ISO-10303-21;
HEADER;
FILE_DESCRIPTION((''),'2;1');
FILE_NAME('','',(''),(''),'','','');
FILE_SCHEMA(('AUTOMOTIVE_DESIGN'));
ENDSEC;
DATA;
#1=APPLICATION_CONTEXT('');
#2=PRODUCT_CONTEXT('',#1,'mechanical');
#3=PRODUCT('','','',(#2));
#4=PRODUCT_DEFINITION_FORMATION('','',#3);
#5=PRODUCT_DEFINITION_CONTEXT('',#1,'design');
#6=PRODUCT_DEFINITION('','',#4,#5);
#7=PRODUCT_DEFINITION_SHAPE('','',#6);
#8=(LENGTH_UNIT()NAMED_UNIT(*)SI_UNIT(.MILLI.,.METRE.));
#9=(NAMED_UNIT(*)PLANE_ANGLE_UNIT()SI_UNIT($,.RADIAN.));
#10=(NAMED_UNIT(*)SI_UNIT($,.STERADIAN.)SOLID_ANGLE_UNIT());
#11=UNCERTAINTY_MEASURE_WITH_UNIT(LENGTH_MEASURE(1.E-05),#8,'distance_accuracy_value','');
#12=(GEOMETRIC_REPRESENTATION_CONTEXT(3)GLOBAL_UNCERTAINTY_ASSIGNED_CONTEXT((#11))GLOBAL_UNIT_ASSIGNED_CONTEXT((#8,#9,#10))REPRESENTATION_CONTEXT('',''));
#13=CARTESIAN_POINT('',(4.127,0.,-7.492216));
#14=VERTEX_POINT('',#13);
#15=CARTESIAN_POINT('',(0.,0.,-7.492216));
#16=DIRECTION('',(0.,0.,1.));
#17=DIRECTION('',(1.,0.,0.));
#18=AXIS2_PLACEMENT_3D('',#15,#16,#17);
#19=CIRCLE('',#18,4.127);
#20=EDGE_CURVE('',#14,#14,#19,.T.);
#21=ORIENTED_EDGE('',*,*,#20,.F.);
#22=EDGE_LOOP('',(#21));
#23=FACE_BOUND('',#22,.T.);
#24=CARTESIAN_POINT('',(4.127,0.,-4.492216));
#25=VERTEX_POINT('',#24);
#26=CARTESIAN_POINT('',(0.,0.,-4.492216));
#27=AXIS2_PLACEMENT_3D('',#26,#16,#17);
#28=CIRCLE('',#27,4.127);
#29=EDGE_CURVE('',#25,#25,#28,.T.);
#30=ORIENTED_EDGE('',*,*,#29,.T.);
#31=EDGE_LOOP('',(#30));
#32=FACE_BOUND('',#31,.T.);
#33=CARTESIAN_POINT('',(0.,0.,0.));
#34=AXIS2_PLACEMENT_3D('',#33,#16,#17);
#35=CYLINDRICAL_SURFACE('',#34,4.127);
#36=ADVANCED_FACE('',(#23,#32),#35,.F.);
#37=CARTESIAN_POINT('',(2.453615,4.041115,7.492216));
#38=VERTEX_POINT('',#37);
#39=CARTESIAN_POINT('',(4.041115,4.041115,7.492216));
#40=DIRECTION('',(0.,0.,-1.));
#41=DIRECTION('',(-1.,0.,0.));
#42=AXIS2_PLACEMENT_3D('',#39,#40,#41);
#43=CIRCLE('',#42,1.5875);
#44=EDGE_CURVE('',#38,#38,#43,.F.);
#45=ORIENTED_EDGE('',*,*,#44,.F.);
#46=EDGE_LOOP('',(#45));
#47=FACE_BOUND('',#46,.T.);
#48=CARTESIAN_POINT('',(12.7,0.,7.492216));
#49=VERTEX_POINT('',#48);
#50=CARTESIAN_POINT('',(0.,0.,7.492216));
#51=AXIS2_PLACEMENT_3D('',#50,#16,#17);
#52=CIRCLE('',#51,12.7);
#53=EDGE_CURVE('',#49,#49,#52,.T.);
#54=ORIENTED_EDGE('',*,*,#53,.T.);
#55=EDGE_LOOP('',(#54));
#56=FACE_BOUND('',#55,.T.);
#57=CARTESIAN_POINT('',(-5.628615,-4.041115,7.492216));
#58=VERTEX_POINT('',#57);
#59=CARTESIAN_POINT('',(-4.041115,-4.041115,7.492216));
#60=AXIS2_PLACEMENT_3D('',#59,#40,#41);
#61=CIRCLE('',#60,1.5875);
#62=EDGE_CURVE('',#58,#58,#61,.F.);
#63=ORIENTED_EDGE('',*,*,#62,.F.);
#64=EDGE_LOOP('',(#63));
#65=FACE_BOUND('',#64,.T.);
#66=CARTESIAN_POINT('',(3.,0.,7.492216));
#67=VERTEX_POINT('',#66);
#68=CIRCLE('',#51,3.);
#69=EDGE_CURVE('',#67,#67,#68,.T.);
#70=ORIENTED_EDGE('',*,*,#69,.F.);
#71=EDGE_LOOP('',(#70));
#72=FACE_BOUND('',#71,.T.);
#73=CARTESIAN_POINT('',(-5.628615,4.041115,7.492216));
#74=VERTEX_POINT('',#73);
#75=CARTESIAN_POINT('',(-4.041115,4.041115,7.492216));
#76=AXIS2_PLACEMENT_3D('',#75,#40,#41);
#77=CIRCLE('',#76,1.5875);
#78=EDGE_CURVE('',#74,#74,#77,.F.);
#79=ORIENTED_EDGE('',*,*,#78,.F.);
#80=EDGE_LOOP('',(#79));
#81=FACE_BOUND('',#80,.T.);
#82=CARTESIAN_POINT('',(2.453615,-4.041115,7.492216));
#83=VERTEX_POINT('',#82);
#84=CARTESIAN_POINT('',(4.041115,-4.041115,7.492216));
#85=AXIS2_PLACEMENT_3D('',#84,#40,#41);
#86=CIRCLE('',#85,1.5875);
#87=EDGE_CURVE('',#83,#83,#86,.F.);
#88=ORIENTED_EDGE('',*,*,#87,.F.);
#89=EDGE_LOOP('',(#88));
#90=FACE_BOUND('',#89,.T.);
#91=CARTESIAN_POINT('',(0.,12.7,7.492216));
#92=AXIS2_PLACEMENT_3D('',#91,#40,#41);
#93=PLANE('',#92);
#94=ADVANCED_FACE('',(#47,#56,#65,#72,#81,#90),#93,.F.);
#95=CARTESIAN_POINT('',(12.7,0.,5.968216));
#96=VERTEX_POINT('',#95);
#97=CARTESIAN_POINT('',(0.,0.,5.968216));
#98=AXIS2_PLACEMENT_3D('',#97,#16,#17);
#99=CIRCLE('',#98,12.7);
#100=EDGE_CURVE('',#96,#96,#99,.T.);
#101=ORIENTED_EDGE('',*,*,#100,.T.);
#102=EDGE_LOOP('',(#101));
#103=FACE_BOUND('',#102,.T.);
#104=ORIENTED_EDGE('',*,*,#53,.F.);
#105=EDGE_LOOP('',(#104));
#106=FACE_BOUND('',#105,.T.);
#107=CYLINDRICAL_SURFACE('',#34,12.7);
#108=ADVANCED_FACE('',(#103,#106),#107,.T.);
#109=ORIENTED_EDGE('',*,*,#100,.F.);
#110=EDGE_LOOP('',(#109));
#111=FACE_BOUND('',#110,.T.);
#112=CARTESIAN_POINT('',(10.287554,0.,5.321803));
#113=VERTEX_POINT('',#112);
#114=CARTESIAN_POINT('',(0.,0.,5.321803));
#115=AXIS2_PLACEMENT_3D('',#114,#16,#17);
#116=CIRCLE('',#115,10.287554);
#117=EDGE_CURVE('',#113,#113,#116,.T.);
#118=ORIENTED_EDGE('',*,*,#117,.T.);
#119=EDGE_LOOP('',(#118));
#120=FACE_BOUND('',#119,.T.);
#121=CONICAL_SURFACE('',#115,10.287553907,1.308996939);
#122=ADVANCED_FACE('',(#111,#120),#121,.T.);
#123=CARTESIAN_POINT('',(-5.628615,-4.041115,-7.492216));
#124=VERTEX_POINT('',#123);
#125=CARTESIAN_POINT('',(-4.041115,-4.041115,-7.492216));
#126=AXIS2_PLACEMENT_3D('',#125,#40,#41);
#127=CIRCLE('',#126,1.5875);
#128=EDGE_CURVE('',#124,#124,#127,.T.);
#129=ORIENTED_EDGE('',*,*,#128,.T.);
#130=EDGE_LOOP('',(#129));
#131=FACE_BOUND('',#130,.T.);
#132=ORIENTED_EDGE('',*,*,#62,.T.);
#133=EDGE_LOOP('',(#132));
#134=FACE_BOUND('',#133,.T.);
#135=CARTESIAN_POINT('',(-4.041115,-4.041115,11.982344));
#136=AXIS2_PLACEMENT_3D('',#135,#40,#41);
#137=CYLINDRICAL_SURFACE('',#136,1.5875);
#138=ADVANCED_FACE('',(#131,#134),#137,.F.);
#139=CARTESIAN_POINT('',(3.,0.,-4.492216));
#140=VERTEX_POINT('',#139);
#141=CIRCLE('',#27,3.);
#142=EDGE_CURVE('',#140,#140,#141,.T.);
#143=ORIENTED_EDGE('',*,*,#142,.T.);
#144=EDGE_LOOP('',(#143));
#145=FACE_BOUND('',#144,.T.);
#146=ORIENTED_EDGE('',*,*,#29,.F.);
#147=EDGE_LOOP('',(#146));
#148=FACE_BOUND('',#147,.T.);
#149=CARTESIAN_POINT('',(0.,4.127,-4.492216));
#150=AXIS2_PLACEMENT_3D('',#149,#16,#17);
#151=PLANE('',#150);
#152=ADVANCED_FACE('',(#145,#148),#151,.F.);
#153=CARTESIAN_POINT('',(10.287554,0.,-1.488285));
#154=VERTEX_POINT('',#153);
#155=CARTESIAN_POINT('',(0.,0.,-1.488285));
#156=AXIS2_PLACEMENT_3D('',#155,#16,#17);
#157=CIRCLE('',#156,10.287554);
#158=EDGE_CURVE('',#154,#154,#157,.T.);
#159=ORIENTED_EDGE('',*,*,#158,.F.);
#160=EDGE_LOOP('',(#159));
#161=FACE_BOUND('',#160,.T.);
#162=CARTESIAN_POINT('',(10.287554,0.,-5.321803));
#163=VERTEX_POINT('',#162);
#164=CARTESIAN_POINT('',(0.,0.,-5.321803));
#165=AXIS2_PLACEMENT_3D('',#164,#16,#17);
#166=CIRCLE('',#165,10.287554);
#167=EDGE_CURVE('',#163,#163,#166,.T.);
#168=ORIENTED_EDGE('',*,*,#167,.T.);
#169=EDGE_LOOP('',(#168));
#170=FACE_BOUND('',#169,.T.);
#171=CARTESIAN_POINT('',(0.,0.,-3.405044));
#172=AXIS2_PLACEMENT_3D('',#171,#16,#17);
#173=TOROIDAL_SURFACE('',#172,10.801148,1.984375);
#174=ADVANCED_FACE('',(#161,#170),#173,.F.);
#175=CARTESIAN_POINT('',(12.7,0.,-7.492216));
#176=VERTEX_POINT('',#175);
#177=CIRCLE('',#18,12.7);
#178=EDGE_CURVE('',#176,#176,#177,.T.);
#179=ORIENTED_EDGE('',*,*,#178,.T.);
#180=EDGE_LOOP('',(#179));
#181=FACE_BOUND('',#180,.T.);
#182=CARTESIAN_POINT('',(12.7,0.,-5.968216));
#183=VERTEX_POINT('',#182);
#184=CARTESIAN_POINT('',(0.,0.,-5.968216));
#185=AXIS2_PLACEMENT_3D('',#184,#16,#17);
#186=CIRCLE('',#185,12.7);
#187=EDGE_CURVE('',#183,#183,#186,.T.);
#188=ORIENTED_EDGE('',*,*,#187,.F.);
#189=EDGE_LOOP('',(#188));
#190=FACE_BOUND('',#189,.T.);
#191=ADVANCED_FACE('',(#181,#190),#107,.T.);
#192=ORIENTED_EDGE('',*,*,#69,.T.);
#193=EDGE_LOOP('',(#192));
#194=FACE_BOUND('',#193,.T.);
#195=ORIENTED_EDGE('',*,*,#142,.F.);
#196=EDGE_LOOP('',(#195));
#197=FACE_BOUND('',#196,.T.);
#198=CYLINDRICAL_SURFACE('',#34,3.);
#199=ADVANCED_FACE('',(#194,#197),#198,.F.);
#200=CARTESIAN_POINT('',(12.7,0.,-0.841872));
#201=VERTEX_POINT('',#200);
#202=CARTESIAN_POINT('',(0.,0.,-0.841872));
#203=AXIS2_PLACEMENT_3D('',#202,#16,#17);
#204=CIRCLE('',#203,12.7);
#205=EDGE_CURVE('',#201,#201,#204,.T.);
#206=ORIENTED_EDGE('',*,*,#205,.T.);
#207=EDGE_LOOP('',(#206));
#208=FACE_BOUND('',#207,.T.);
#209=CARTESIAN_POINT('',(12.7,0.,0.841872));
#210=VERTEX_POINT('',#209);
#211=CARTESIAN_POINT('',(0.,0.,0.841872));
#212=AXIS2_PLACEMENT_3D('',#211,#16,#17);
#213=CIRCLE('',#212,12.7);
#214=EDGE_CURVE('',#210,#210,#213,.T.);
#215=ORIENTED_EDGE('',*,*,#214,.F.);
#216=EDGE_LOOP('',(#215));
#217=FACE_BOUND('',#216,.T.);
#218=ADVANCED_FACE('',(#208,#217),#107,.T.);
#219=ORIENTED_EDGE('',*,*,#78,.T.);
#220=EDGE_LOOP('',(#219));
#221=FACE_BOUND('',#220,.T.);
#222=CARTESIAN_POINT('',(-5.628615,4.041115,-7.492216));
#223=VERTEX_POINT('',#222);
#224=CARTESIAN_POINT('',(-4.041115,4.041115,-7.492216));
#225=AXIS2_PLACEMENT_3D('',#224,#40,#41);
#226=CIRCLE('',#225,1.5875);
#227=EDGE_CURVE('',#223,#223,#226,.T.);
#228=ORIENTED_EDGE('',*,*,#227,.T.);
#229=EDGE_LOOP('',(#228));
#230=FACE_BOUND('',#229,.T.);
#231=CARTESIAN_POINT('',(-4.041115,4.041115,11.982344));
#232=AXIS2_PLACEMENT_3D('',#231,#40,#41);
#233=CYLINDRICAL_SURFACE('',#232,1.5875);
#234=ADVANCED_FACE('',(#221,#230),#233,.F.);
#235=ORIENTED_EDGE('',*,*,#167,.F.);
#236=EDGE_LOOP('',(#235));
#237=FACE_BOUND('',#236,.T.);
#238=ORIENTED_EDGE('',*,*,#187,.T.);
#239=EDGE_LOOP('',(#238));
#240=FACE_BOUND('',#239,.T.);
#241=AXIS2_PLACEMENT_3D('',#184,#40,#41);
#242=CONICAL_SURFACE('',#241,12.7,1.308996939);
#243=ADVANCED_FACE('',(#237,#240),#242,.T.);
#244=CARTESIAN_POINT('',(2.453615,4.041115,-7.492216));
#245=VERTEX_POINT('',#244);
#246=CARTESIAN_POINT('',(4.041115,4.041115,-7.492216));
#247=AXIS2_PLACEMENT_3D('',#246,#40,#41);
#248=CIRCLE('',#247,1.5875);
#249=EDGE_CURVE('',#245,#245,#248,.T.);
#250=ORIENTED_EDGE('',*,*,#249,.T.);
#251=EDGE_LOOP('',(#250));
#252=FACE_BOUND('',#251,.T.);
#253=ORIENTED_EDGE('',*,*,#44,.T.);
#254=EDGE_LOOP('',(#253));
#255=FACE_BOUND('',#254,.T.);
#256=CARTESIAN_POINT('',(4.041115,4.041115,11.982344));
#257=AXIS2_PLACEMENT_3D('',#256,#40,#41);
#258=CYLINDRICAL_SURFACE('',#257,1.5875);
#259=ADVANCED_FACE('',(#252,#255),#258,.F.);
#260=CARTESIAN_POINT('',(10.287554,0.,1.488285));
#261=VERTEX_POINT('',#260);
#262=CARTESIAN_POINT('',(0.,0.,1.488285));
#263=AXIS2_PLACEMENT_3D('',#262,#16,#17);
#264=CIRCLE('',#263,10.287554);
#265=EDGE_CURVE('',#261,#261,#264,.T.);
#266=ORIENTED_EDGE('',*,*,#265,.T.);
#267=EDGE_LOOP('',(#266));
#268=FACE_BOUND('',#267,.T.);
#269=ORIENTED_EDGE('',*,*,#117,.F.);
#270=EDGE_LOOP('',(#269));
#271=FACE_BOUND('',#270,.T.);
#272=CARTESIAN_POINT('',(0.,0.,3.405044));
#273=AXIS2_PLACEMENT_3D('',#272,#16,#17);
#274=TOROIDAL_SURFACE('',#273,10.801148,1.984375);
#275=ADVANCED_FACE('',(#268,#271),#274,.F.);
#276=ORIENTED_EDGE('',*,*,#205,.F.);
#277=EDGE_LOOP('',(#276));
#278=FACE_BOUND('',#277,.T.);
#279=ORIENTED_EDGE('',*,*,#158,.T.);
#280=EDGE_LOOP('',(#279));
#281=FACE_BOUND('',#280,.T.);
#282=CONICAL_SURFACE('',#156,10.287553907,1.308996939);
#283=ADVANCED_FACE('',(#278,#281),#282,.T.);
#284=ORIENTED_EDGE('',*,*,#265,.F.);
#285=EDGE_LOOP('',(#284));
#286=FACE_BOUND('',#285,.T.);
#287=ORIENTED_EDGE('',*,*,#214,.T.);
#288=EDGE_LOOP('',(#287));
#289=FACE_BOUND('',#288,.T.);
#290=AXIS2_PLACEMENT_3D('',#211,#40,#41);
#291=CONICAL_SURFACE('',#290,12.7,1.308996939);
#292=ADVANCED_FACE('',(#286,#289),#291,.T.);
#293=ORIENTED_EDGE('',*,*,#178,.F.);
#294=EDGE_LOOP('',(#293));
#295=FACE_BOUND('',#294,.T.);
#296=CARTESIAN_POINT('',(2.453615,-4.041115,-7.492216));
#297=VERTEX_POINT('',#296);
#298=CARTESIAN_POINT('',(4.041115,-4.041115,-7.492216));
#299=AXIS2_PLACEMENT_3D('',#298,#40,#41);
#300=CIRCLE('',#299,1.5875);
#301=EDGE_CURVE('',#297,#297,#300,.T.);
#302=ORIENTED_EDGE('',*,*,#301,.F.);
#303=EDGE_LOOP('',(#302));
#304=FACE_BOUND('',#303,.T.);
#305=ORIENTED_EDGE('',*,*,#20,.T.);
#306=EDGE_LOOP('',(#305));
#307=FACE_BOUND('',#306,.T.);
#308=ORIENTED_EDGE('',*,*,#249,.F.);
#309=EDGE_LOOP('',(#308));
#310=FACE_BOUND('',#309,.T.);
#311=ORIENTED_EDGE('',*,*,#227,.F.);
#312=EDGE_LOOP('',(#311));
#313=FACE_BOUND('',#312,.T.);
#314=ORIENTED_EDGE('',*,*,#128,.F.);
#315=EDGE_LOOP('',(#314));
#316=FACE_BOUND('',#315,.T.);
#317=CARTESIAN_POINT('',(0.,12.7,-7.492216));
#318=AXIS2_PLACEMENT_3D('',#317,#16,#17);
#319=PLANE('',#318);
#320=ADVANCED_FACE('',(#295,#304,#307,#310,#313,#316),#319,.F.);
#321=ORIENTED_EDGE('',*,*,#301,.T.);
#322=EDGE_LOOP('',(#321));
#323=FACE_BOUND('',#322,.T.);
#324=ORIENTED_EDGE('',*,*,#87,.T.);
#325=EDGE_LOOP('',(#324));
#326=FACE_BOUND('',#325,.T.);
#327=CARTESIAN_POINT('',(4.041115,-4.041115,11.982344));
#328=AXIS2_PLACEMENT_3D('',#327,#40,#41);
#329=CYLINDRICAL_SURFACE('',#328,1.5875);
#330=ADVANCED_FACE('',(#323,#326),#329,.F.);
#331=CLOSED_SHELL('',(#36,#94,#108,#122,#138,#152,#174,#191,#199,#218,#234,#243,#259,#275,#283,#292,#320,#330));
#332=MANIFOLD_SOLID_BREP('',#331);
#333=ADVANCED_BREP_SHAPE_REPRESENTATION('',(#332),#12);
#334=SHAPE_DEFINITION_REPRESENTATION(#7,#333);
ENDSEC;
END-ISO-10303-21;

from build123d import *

# Parameters (mm, degrees)
SKETCH2_R          = 1.5875
CUT_EXTRUDE1_DEPTH = 14.984431


with BuildPart() as part:
    # Sketch1 → Revolve1 (revolve)
    with BuildSketch(Plane(origin=(0, 0, 0), x_dir=(0, 0, -1), z_dir=(1, 0, 0))):
        with BuildLine():
            Line((-1.488284524, 10.287553907), (-0.841871541, 12.7))
            Line((-0.841871541, 12.7), (0.841871541, 12.7))
            Line((0.841871541, 12.7), (1.488284524, 10.287553907))
            ThreePointArc((1.488284524, 10.287553907), (3.405043585, 8.81677295), (5.321802647, 10.287553907))
            Line((5.321802647, 10.287553907), (5.968215629, 12.7))
            Line((5.968215629, 12.7), (7.492215629, 12.7))
            Line((7.492215629, 12.7), (7.492215629, 4.127000001))
            Line((7.492215629, 4.127000001), (4.492215629, 4.127000001))
            Line((4.492215629, 4.127000001), (4.492215629, 3))
            Line((4.492215629, 3), (-7.492215629, 3))
            Line((-7.492215629, 3), (-7.492215629, 12.7))
            Line((-7.492215629, 12.7), (-5.968215629, 12.7))
            Line((-5.968215629, 12.7), (-5.321802647, 10.287553907))
            ThreePointArc((-5.321802647, 10.287553907), (-3.405043585, 8.81677295), (-1.488284524, 10.287553907))
        make_face()
    revolve(axis=Axis((0, 0, 0), (0, 0, -1)))

    # Sketch2 → Cut-Extrude1 (cut)
    with BuildSketch(Plane(origin=(0, 0, -7.492215629), x_dir=(-1, 0, 0), z_dir=(0, 0, -1))):
        with Locations((4.041115254, 4.041115254)):
            Circle(SKETCH2_R)
        with Locations((-4.041115254, 4.041115254)):
            Circle(SKETCH2_R)
        with Locations((-4.041115254, -4.041115254)):
            Circle(SKETCH2_R)
        with Locations((4.041115254, -4.041115254)):
            Circle(SKETCH2_R)
    extrude(amount=-CUT_EXTRUDE1_DEPTH, mode=Mode.SUBTRACT)


solid = part.part
